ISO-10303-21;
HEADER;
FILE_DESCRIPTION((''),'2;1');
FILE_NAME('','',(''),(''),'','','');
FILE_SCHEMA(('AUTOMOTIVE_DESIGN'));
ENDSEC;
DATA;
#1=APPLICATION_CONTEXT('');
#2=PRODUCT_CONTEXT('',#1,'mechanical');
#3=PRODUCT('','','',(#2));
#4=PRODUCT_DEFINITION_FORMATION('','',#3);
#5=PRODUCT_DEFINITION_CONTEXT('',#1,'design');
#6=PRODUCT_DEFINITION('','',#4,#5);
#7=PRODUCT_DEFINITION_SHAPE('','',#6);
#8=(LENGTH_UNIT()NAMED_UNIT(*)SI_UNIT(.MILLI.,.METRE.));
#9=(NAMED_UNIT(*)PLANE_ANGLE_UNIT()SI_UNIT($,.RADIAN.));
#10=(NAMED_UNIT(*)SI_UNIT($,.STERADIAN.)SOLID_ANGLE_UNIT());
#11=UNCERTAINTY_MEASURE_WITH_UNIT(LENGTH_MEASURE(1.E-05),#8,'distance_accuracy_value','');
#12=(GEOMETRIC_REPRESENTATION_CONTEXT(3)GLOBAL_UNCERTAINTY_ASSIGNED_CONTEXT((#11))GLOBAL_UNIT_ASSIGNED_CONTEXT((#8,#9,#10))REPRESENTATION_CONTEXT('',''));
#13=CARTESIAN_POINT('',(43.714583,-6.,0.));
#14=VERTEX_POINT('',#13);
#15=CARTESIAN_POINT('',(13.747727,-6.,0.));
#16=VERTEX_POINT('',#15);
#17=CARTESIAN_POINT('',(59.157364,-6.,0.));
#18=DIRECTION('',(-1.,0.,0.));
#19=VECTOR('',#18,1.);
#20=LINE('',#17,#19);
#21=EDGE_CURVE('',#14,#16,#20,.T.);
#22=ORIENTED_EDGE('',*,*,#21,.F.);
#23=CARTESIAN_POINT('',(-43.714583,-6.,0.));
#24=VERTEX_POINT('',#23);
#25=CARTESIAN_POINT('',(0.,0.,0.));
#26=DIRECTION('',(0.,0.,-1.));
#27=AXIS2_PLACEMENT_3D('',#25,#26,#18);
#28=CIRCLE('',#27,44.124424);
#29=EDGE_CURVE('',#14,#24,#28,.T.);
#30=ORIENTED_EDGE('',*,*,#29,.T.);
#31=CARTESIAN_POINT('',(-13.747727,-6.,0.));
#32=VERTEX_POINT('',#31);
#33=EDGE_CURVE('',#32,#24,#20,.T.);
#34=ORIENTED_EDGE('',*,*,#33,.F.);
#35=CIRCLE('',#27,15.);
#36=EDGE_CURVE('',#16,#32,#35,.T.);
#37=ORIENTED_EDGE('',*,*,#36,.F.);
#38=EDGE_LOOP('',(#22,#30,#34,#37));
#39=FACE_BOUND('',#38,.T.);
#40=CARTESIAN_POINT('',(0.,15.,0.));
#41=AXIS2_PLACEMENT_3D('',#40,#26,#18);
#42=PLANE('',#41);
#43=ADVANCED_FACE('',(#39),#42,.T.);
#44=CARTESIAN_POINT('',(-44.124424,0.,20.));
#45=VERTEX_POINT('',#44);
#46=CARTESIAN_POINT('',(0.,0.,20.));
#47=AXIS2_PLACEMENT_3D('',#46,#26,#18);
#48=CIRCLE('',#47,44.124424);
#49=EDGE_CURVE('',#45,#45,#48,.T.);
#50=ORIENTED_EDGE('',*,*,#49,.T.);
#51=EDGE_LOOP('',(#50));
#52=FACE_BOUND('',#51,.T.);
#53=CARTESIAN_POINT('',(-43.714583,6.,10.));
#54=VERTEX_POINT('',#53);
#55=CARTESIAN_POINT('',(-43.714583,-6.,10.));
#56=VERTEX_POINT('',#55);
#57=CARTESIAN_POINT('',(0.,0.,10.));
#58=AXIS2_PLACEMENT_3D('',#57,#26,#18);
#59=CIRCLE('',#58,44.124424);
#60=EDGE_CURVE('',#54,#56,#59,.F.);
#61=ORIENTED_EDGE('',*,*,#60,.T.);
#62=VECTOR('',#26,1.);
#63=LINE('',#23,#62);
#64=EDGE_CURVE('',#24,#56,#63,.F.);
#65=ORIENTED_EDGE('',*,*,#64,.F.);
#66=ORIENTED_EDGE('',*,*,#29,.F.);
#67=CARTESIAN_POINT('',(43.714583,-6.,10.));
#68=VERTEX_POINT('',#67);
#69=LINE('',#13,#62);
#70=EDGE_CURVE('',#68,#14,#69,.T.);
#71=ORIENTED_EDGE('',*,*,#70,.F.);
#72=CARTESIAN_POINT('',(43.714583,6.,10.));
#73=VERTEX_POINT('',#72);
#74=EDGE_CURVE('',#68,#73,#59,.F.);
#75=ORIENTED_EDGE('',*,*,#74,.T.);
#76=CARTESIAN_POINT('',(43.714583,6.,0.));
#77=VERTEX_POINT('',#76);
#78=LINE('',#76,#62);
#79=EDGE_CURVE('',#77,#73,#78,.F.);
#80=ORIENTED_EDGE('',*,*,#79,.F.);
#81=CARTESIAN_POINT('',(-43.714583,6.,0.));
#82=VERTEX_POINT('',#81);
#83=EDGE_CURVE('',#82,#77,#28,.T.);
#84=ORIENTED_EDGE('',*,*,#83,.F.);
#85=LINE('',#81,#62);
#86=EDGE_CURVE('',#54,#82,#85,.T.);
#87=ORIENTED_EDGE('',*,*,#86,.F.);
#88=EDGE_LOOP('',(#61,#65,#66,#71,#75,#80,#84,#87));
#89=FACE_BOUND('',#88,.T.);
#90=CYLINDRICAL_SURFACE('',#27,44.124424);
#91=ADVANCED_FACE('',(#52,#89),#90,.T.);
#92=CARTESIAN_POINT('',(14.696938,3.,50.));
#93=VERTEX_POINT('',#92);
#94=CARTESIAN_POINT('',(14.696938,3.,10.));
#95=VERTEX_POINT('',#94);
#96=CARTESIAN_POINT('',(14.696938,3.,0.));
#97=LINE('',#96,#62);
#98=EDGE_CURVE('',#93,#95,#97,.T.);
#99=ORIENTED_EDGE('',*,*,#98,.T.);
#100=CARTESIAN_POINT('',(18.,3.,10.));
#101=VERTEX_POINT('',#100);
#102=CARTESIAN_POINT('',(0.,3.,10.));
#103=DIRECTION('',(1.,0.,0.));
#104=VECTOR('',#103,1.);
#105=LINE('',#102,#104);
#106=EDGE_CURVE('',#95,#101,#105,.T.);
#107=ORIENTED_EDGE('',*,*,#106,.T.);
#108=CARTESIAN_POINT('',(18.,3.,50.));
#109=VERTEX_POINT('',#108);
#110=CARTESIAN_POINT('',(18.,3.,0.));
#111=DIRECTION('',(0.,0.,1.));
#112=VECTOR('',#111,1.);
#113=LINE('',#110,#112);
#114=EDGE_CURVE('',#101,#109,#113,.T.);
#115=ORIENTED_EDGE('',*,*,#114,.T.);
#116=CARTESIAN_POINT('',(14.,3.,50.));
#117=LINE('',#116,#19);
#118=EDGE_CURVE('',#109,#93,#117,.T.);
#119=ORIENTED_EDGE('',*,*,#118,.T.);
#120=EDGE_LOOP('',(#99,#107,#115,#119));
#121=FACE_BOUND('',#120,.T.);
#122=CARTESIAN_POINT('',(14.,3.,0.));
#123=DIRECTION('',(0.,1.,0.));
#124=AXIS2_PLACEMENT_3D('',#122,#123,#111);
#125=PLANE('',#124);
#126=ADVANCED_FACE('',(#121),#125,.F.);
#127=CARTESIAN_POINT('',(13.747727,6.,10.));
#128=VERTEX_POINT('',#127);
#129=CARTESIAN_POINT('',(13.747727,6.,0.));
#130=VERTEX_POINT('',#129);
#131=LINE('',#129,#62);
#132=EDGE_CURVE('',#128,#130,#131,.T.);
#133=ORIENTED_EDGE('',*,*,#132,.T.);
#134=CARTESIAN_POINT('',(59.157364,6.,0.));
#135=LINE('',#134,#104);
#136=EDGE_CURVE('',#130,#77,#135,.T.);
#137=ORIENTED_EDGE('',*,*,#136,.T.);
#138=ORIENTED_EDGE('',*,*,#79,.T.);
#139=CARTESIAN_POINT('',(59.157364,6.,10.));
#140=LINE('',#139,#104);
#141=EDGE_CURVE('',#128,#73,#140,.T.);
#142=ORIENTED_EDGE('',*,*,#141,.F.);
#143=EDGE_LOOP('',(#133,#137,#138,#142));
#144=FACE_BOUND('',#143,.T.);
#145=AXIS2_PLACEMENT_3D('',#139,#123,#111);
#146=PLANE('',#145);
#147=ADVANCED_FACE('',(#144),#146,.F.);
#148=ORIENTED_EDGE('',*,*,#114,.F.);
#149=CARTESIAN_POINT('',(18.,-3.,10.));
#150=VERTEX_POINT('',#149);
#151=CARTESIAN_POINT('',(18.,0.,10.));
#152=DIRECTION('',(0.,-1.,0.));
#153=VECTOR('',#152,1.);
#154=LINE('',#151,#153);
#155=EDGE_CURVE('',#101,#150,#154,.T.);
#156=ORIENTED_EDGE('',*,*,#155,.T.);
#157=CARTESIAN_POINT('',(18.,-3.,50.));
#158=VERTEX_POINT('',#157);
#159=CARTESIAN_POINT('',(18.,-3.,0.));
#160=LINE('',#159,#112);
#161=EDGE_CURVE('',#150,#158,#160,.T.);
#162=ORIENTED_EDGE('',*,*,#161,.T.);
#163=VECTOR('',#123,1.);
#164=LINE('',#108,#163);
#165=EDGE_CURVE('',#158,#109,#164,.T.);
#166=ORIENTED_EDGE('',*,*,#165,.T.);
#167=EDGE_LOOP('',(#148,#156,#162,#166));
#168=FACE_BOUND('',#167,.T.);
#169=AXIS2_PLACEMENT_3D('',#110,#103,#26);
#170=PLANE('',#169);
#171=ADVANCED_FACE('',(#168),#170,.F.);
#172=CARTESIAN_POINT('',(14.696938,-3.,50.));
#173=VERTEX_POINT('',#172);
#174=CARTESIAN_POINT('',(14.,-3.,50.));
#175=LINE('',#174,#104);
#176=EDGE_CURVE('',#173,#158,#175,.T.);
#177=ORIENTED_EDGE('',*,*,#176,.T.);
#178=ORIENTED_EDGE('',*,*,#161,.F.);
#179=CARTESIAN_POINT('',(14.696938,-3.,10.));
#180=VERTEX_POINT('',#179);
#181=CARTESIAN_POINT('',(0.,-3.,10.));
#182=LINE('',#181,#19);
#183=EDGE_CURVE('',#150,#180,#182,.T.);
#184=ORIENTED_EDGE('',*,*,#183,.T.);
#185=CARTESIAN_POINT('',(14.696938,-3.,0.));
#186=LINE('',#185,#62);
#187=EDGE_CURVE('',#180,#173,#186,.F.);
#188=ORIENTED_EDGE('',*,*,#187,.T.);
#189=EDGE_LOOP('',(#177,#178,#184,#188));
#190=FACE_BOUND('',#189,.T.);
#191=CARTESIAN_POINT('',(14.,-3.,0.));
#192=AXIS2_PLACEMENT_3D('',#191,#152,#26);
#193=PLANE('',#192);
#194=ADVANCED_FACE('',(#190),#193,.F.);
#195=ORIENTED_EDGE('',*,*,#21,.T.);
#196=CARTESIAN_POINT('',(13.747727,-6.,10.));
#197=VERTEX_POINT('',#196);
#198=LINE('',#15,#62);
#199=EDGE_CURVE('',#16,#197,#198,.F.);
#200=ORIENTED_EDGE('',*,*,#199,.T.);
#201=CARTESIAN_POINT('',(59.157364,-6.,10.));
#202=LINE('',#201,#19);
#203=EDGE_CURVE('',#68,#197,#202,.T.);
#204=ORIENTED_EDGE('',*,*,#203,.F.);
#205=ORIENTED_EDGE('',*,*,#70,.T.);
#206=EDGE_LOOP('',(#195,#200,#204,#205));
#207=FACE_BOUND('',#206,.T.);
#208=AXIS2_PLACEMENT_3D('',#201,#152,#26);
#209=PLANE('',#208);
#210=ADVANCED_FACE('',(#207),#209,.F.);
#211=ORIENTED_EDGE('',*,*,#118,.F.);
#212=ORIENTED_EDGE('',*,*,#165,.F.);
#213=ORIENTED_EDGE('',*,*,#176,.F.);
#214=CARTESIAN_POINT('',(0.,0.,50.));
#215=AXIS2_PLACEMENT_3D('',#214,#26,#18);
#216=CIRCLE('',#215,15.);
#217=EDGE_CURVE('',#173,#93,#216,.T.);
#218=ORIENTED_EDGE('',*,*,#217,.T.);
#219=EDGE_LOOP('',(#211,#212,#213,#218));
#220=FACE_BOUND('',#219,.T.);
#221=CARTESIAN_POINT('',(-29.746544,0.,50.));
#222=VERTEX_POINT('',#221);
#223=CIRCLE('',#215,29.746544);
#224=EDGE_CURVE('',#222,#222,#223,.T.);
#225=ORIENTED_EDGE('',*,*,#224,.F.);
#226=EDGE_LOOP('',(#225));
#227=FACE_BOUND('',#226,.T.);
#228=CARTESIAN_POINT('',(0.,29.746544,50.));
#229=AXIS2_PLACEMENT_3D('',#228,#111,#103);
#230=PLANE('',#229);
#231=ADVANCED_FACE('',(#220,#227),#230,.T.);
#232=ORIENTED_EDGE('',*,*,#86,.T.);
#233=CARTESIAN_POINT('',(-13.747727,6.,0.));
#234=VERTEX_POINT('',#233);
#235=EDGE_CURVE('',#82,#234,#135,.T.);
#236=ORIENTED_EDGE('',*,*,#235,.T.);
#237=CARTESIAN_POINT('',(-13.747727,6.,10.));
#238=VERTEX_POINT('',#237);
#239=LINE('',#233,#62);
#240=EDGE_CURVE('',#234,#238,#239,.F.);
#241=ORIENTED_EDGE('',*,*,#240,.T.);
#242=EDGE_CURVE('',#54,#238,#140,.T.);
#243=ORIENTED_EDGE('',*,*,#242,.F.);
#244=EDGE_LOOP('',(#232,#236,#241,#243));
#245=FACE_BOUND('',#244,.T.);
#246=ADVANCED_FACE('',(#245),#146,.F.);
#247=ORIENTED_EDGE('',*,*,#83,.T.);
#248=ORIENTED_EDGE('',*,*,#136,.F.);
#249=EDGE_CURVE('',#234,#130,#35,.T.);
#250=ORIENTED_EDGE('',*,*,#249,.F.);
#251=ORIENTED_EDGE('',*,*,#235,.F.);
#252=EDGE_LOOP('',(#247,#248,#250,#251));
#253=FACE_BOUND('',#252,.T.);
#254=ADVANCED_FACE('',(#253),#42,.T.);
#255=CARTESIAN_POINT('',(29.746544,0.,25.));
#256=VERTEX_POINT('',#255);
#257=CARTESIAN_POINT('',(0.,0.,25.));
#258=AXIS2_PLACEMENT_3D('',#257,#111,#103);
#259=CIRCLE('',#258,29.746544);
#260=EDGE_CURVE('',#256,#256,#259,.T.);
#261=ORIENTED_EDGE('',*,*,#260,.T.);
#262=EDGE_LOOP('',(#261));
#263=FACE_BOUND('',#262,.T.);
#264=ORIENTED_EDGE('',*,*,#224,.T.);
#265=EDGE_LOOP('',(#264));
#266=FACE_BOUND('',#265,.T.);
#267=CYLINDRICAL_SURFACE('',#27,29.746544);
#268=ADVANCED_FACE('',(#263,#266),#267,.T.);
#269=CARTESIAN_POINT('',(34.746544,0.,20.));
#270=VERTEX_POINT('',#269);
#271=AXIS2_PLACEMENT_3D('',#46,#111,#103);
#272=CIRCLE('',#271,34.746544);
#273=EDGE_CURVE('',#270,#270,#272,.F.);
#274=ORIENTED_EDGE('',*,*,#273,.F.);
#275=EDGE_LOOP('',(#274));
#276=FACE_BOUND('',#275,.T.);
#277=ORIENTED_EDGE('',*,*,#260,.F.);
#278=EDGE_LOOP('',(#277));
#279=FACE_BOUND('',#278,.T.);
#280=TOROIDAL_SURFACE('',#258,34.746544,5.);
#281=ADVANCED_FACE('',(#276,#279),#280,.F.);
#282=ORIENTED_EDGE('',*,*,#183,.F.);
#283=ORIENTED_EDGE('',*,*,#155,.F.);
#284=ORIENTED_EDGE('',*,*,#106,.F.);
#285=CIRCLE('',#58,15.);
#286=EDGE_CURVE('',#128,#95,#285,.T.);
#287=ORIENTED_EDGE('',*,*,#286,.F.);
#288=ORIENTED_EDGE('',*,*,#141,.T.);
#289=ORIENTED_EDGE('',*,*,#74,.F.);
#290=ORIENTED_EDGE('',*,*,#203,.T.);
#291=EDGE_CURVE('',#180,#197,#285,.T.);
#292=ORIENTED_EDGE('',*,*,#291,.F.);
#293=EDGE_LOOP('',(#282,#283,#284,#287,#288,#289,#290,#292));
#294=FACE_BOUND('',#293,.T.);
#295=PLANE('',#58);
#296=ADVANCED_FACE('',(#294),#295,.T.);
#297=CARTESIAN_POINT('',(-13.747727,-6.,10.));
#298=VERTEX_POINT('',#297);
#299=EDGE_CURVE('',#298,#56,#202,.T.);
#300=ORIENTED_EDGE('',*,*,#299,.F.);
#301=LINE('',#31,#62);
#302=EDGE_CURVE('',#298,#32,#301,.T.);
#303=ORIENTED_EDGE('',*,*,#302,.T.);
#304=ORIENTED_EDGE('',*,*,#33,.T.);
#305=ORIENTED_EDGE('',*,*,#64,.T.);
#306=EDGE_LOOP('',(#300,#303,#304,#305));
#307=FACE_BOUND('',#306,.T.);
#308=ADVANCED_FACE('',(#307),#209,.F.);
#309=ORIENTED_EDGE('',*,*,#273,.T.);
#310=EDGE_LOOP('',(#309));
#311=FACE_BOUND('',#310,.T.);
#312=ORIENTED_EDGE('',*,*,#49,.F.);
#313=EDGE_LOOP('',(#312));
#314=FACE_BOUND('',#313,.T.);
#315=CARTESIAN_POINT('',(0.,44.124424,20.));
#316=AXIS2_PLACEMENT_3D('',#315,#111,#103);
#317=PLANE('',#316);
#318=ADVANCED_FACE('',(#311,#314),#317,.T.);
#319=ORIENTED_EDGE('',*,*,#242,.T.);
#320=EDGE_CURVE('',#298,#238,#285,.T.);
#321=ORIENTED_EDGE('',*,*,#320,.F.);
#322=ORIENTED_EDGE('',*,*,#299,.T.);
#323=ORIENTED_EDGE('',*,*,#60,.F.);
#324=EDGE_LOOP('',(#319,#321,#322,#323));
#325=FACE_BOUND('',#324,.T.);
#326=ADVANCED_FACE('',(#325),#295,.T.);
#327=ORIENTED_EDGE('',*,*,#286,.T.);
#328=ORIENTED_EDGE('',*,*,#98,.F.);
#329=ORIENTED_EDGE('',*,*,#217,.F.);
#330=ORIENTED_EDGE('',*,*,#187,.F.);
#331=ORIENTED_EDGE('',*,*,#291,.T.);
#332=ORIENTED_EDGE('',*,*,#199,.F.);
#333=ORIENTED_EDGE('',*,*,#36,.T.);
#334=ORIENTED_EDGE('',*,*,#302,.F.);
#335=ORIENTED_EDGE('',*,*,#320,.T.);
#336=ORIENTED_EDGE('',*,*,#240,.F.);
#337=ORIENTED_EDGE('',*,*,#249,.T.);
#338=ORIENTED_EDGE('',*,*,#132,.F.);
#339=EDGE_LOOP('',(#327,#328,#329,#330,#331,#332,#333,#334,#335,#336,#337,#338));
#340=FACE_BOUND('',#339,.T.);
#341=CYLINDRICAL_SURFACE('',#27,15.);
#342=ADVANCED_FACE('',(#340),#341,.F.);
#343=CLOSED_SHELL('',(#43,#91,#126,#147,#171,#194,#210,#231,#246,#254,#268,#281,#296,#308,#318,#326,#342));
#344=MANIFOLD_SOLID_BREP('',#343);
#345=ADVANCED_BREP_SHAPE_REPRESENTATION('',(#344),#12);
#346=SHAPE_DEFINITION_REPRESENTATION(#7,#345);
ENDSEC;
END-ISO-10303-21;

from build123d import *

# Parameters (mm, degrees)
SKETCH2_W          = 118.314728146
SKETCH2_H          = 12
CUT_EXTRUDE1_DEPTH = 10
SKETCH3_W          = 4
SKETCH3_H          = 6
CUT_EXTRUDE2_DEPTH = 80.962050875
FILLET1_R          = 5


with BuildPart() as part:
    # Sketch1 → Revolve1 (revolve)
    with BuildSketch(Plane(origin=(0, 0, 0), x_dir=(0, 0, -1), z_dir=(1, 0, 0)), mode=Mode.PRIVATE) as revolve1_sk:
        Polygon((0, 15), (0, 44.124423963), (-20, 44.124423963), (-20, 29.746543779), (-50, 29.746543779), (-50, 15), align=None)
    revolve(revolve1_sk.sketch.rotate(Axis((0, 0, 0), (0, 0, 1)), 90), axis=Axis((0, 0, 0), (0, 0, 1)))

    # Sketch2 → Cut-Extrude1 (cut)
    with BuildSketch(Plane(origin=(0, 0, 0), x_dir=(-1, 0, 0), z_dir=(0, 0, -1))):
        Rectangle(SKETCH2_W, SKETCH2_H)
    extrude(amount=-CUT_EXTRUDE1_DEPTH, mode=Mode.SUBTRACT)

    # Sketch3 → Cut-Extrude2 (cut, through all)
    with BuildSketch(Plane.XY.offset(50)):
        with Locations((16, 0)):
            Rectangle(SKETCH3_W, SKETCH3_H)
    extrude(amount=-CUT_EXTRUDE2_DEPTH, mode=Mode.SUBTRACT)

    # Fillet1
    fillet1_edges = [part.edges().sort_by_distance(p)[0] for p in [
        (29.746543779, 0, 20),
    ]]
    fillet(fillet1_edges, radius=FILLET1_R)


solid = part.part
